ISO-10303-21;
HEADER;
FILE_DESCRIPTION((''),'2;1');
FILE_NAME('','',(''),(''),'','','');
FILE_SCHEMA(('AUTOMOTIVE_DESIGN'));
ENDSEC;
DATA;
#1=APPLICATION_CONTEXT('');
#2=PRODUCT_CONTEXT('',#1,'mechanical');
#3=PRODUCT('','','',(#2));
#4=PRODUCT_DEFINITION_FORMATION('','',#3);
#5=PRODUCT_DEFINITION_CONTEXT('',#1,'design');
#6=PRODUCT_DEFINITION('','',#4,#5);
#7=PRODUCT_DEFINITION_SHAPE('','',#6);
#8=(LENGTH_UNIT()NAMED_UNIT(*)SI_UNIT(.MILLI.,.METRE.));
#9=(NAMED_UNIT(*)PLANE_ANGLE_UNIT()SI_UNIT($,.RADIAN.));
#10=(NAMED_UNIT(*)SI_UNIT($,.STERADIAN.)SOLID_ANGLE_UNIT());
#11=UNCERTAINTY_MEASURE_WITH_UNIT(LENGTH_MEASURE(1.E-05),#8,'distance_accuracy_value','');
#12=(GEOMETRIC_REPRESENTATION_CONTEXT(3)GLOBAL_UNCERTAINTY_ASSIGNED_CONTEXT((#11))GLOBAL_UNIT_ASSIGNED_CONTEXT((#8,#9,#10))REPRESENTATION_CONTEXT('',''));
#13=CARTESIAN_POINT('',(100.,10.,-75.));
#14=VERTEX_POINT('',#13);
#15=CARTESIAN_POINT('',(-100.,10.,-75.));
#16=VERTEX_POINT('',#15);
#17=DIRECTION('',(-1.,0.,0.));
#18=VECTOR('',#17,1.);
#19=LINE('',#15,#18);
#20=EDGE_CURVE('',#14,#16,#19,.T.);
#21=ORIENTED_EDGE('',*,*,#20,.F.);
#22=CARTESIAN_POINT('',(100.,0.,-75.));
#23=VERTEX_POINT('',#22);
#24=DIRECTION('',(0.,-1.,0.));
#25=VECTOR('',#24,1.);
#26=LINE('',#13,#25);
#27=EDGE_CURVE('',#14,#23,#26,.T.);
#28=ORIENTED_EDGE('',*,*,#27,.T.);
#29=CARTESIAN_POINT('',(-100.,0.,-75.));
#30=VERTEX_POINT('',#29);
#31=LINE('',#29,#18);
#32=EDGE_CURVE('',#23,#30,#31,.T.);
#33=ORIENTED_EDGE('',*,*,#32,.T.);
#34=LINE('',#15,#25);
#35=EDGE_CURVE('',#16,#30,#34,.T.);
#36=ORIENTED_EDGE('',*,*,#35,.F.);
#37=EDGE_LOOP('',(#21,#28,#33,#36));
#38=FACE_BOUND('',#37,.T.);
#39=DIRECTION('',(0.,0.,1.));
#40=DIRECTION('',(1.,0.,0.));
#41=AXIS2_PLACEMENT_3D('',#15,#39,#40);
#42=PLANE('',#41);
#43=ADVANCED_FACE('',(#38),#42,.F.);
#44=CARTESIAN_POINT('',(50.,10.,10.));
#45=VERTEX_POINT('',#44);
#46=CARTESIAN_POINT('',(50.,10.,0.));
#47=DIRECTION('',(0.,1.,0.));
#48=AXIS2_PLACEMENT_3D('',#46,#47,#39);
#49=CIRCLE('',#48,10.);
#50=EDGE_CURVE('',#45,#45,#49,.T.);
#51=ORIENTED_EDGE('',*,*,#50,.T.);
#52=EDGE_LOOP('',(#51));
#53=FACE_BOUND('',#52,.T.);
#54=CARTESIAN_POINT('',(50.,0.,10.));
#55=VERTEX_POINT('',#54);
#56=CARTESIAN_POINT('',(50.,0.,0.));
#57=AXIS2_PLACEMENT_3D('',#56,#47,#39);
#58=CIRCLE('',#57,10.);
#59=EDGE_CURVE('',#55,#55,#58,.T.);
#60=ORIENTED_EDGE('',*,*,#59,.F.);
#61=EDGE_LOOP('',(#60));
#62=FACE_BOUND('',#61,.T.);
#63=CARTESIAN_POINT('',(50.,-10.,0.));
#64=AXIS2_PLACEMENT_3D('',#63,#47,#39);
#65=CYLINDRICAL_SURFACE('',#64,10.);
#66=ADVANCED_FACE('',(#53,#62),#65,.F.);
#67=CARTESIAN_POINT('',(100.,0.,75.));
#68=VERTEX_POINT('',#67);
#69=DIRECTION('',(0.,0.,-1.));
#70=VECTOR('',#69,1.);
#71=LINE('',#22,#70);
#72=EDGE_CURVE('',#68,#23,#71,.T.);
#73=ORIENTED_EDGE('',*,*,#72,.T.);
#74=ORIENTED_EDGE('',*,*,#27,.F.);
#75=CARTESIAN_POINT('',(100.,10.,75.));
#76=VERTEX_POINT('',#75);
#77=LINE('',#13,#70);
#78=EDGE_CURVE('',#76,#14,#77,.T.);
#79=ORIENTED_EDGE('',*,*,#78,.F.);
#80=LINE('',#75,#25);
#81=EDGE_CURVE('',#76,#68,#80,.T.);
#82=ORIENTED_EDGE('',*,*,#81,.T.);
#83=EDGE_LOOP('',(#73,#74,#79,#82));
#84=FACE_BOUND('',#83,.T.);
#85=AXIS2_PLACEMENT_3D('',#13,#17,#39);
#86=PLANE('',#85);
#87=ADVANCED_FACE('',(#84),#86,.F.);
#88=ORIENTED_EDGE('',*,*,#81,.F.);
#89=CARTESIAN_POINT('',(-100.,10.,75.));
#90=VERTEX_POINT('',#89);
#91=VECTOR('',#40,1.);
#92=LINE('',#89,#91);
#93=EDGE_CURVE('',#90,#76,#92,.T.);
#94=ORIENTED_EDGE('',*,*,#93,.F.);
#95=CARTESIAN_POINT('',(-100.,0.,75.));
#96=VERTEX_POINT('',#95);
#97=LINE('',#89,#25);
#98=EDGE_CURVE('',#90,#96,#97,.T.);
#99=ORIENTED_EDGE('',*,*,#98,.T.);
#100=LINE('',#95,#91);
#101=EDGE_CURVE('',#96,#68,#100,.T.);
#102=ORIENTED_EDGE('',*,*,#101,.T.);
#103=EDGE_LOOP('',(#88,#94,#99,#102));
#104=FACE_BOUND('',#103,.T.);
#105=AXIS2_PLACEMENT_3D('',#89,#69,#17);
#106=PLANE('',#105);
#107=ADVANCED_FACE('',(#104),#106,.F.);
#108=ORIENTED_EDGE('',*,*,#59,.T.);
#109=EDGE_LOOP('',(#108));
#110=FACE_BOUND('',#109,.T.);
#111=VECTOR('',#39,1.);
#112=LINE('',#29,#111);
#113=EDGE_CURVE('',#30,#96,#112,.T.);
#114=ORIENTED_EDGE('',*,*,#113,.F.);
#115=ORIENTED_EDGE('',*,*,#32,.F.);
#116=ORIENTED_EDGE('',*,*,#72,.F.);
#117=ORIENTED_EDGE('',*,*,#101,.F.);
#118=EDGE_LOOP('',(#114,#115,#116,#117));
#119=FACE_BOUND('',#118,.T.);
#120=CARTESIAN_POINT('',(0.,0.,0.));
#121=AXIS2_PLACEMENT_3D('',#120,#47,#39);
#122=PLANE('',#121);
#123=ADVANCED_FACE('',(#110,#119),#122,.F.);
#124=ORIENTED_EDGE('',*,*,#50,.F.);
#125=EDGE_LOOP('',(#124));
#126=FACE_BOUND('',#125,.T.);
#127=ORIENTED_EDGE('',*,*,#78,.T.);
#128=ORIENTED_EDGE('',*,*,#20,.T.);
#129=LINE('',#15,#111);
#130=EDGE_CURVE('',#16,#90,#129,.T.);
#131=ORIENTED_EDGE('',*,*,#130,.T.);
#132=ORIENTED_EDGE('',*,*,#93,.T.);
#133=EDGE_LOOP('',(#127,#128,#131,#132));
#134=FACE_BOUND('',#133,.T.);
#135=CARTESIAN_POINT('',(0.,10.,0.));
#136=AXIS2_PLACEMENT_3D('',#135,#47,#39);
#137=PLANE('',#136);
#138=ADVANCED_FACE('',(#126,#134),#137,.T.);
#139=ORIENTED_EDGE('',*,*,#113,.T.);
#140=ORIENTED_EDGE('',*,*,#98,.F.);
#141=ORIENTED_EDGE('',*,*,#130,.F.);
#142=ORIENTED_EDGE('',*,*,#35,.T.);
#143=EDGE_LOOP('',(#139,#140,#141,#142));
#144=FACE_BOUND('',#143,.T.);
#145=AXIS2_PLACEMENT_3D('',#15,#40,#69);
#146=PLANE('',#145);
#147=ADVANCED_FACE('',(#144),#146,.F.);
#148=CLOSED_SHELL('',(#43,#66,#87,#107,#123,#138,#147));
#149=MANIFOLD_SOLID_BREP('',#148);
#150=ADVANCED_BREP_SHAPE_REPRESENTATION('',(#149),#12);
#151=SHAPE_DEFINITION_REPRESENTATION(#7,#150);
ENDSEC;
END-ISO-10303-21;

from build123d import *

# Parameters (mm, degrees)
SKETCH1_W           = 200
SKETCH1_H           = 150
BOSS_EXTRUDE1_DEPTH = 10
SKETCH2_R           = 10
CUT_EXTRUDE1_DEPTH  = 20


with BuildPart() as part:
    # Sketch1 → Boss-Extrude1 (new body)
    with BuildSketch(Plane(origin=(0, 0, 0), x_dir=(1, 0, 0), z_dir=(0, 1, 0))):
        Rectangle(SKETCH1_W, SKETCH1_H)
    extrude(amount=BOSS_EXTRUDE1_DEPTH)

    # Sketch2 → Cut-Extrude1 (cut)
    with BuildSketch(Plane(origin=(0, 10, 0), x_dir=(1, 0, 0), z_dir=(0, 1, 0))):
        with Locations(Location((50, 0, 0), (0, 0, 270))):
            Circle(SKETCH2_R)
    extrude(amount=-CUT_EXTRUDE1_DEPTH, mode=Mode.SUBTRACT)


solid = part.part
